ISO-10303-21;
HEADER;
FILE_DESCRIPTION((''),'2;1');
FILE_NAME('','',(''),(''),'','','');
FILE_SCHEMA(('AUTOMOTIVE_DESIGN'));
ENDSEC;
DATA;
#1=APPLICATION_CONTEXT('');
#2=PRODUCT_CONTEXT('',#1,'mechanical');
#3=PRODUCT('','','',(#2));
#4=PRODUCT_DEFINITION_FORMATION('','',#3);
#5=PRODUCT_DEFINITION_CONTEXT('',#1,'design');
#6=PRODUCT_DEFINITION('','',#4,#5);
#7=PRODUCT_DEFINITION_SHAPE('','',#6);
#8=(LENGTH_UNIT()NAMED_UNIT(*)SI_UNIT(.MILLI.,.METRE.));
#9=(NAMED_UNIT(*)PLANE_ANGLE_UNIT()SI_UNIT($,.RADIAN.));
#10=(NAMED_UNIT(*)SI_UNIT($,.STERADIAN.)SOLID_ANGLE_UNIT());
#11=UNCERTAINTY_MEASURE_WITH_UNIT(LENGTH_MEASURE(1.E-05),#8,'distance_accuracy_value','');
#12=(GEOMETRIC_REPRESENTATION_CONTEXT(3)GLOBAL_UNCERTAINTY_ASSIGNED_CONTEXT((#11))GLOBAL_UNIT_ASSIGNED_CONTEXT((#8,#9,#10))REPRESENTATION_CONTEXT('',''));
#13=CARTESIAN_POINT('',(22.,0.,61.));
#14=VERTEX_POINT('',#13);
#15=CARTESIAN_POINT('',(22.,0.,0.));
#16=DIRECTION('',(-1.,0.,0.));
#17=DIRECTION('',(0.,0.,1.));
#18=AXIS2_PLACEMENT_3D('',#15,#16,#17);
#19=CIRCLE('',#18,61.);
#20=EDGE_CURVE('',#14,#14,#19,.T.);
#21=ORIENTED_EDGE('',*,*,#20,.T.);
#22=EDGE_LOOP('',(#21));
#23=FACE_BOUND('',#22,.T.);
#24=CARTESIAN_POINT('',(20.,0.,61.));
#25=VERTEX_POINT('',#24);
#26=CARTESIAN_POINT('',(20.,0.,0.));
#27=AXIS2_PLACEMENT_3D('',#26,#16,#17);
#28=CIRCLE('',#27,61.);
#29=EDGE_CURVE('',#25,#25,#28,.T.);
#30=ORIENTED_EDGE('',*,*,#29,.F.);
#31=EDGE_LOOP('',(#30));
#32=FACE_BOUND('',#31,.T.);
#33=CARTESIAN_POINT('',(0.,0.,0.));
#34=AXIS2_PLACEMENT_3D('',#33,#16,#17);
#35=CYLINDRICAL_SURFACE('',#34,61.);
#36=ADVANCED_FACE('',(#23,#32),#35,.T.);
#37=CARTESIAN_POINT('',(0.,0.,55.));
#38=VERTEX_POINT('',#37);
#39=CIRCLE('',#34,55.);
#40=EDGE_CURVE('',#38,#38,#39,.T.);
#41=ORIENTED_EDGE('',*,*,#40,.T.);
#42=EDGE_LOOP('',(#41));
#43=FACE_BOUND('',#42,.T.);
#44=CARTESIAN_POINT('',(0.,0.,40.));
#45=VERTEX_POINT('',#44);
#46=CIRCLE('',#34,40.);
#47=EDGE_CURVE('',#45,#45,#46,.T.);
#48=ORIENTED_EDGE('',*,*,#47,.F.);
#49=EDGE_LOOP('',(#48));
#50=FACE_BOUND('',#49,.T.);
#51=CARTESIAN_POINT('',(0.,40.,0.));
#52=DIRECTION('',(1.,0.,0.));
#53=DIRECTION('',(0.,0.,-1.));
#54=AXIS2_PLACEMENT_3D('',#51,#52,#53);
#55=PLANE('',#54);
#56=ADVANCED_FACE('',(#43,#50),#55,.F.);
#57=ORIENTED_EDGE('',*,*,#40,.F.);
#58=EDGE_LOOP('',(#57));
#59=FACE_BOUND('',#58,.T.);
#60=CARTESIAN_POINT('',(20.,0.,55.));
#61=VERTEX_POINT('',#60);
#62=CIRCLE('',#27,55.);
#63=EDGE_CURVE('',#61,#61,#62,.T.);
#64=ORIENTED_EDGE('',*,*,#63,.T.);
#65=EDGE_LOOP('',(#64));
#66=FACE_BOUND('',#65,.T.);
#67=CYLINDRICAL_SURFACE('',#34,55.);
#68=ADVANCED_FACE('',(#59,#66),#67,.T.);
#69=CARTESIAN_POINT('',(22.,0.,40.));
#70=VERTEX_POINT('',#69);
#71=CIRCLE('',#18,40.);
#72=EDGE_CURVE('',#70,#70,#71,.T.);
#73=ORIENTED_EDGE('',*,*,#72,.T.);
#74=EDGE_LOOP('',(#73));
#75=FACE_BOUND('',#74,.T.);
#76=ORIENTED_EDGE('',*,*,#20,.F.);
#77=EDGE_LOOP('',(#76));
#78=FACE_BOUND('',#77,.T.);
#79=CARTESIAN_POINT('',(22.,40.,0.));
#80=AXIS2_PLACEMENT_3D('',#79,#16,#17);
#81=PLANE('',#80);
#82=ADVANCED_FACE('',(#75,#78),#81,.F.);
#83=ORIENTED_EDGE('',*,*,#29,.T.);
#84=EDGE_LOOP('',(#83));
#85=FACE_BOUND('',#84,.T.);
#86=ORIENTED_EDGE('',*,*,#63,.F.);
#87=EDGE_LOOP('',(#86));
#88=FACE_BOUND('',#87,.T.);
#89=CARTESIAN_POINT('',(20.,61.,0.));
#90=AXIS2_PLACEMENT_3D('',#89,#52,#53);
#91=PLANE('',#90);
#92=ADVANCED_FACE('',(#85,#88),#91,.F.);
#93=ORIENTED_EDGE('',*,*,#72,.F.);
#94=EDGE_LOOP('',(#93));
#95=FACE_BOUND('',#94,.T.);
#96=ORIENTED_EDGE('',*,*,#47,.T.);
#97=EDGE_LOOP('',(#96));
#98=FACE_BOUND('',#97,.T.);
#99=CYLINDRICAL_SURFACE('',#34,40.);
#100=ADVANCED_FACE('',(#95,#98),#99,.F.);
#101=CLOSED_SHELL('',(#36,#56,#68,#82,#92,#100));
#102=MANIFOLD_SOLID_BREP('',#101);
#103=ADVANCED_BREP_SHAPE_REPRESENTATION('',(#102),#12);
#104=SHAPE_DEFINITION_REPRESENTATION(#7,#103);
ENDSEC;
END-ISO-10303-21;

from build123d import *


with BuildPart() as part:
    # Sketch1 → Revolve1 (revolve)
    with BuildSketch(Plane.XY):
        Polygon((0, 40), (22, 40), (22, 61), (20, 61), (20, 55), (0, 55), align=None)
    revolve(axis=Axis((0, 0, 0), (1, 0, 0)))


solid = part.part
